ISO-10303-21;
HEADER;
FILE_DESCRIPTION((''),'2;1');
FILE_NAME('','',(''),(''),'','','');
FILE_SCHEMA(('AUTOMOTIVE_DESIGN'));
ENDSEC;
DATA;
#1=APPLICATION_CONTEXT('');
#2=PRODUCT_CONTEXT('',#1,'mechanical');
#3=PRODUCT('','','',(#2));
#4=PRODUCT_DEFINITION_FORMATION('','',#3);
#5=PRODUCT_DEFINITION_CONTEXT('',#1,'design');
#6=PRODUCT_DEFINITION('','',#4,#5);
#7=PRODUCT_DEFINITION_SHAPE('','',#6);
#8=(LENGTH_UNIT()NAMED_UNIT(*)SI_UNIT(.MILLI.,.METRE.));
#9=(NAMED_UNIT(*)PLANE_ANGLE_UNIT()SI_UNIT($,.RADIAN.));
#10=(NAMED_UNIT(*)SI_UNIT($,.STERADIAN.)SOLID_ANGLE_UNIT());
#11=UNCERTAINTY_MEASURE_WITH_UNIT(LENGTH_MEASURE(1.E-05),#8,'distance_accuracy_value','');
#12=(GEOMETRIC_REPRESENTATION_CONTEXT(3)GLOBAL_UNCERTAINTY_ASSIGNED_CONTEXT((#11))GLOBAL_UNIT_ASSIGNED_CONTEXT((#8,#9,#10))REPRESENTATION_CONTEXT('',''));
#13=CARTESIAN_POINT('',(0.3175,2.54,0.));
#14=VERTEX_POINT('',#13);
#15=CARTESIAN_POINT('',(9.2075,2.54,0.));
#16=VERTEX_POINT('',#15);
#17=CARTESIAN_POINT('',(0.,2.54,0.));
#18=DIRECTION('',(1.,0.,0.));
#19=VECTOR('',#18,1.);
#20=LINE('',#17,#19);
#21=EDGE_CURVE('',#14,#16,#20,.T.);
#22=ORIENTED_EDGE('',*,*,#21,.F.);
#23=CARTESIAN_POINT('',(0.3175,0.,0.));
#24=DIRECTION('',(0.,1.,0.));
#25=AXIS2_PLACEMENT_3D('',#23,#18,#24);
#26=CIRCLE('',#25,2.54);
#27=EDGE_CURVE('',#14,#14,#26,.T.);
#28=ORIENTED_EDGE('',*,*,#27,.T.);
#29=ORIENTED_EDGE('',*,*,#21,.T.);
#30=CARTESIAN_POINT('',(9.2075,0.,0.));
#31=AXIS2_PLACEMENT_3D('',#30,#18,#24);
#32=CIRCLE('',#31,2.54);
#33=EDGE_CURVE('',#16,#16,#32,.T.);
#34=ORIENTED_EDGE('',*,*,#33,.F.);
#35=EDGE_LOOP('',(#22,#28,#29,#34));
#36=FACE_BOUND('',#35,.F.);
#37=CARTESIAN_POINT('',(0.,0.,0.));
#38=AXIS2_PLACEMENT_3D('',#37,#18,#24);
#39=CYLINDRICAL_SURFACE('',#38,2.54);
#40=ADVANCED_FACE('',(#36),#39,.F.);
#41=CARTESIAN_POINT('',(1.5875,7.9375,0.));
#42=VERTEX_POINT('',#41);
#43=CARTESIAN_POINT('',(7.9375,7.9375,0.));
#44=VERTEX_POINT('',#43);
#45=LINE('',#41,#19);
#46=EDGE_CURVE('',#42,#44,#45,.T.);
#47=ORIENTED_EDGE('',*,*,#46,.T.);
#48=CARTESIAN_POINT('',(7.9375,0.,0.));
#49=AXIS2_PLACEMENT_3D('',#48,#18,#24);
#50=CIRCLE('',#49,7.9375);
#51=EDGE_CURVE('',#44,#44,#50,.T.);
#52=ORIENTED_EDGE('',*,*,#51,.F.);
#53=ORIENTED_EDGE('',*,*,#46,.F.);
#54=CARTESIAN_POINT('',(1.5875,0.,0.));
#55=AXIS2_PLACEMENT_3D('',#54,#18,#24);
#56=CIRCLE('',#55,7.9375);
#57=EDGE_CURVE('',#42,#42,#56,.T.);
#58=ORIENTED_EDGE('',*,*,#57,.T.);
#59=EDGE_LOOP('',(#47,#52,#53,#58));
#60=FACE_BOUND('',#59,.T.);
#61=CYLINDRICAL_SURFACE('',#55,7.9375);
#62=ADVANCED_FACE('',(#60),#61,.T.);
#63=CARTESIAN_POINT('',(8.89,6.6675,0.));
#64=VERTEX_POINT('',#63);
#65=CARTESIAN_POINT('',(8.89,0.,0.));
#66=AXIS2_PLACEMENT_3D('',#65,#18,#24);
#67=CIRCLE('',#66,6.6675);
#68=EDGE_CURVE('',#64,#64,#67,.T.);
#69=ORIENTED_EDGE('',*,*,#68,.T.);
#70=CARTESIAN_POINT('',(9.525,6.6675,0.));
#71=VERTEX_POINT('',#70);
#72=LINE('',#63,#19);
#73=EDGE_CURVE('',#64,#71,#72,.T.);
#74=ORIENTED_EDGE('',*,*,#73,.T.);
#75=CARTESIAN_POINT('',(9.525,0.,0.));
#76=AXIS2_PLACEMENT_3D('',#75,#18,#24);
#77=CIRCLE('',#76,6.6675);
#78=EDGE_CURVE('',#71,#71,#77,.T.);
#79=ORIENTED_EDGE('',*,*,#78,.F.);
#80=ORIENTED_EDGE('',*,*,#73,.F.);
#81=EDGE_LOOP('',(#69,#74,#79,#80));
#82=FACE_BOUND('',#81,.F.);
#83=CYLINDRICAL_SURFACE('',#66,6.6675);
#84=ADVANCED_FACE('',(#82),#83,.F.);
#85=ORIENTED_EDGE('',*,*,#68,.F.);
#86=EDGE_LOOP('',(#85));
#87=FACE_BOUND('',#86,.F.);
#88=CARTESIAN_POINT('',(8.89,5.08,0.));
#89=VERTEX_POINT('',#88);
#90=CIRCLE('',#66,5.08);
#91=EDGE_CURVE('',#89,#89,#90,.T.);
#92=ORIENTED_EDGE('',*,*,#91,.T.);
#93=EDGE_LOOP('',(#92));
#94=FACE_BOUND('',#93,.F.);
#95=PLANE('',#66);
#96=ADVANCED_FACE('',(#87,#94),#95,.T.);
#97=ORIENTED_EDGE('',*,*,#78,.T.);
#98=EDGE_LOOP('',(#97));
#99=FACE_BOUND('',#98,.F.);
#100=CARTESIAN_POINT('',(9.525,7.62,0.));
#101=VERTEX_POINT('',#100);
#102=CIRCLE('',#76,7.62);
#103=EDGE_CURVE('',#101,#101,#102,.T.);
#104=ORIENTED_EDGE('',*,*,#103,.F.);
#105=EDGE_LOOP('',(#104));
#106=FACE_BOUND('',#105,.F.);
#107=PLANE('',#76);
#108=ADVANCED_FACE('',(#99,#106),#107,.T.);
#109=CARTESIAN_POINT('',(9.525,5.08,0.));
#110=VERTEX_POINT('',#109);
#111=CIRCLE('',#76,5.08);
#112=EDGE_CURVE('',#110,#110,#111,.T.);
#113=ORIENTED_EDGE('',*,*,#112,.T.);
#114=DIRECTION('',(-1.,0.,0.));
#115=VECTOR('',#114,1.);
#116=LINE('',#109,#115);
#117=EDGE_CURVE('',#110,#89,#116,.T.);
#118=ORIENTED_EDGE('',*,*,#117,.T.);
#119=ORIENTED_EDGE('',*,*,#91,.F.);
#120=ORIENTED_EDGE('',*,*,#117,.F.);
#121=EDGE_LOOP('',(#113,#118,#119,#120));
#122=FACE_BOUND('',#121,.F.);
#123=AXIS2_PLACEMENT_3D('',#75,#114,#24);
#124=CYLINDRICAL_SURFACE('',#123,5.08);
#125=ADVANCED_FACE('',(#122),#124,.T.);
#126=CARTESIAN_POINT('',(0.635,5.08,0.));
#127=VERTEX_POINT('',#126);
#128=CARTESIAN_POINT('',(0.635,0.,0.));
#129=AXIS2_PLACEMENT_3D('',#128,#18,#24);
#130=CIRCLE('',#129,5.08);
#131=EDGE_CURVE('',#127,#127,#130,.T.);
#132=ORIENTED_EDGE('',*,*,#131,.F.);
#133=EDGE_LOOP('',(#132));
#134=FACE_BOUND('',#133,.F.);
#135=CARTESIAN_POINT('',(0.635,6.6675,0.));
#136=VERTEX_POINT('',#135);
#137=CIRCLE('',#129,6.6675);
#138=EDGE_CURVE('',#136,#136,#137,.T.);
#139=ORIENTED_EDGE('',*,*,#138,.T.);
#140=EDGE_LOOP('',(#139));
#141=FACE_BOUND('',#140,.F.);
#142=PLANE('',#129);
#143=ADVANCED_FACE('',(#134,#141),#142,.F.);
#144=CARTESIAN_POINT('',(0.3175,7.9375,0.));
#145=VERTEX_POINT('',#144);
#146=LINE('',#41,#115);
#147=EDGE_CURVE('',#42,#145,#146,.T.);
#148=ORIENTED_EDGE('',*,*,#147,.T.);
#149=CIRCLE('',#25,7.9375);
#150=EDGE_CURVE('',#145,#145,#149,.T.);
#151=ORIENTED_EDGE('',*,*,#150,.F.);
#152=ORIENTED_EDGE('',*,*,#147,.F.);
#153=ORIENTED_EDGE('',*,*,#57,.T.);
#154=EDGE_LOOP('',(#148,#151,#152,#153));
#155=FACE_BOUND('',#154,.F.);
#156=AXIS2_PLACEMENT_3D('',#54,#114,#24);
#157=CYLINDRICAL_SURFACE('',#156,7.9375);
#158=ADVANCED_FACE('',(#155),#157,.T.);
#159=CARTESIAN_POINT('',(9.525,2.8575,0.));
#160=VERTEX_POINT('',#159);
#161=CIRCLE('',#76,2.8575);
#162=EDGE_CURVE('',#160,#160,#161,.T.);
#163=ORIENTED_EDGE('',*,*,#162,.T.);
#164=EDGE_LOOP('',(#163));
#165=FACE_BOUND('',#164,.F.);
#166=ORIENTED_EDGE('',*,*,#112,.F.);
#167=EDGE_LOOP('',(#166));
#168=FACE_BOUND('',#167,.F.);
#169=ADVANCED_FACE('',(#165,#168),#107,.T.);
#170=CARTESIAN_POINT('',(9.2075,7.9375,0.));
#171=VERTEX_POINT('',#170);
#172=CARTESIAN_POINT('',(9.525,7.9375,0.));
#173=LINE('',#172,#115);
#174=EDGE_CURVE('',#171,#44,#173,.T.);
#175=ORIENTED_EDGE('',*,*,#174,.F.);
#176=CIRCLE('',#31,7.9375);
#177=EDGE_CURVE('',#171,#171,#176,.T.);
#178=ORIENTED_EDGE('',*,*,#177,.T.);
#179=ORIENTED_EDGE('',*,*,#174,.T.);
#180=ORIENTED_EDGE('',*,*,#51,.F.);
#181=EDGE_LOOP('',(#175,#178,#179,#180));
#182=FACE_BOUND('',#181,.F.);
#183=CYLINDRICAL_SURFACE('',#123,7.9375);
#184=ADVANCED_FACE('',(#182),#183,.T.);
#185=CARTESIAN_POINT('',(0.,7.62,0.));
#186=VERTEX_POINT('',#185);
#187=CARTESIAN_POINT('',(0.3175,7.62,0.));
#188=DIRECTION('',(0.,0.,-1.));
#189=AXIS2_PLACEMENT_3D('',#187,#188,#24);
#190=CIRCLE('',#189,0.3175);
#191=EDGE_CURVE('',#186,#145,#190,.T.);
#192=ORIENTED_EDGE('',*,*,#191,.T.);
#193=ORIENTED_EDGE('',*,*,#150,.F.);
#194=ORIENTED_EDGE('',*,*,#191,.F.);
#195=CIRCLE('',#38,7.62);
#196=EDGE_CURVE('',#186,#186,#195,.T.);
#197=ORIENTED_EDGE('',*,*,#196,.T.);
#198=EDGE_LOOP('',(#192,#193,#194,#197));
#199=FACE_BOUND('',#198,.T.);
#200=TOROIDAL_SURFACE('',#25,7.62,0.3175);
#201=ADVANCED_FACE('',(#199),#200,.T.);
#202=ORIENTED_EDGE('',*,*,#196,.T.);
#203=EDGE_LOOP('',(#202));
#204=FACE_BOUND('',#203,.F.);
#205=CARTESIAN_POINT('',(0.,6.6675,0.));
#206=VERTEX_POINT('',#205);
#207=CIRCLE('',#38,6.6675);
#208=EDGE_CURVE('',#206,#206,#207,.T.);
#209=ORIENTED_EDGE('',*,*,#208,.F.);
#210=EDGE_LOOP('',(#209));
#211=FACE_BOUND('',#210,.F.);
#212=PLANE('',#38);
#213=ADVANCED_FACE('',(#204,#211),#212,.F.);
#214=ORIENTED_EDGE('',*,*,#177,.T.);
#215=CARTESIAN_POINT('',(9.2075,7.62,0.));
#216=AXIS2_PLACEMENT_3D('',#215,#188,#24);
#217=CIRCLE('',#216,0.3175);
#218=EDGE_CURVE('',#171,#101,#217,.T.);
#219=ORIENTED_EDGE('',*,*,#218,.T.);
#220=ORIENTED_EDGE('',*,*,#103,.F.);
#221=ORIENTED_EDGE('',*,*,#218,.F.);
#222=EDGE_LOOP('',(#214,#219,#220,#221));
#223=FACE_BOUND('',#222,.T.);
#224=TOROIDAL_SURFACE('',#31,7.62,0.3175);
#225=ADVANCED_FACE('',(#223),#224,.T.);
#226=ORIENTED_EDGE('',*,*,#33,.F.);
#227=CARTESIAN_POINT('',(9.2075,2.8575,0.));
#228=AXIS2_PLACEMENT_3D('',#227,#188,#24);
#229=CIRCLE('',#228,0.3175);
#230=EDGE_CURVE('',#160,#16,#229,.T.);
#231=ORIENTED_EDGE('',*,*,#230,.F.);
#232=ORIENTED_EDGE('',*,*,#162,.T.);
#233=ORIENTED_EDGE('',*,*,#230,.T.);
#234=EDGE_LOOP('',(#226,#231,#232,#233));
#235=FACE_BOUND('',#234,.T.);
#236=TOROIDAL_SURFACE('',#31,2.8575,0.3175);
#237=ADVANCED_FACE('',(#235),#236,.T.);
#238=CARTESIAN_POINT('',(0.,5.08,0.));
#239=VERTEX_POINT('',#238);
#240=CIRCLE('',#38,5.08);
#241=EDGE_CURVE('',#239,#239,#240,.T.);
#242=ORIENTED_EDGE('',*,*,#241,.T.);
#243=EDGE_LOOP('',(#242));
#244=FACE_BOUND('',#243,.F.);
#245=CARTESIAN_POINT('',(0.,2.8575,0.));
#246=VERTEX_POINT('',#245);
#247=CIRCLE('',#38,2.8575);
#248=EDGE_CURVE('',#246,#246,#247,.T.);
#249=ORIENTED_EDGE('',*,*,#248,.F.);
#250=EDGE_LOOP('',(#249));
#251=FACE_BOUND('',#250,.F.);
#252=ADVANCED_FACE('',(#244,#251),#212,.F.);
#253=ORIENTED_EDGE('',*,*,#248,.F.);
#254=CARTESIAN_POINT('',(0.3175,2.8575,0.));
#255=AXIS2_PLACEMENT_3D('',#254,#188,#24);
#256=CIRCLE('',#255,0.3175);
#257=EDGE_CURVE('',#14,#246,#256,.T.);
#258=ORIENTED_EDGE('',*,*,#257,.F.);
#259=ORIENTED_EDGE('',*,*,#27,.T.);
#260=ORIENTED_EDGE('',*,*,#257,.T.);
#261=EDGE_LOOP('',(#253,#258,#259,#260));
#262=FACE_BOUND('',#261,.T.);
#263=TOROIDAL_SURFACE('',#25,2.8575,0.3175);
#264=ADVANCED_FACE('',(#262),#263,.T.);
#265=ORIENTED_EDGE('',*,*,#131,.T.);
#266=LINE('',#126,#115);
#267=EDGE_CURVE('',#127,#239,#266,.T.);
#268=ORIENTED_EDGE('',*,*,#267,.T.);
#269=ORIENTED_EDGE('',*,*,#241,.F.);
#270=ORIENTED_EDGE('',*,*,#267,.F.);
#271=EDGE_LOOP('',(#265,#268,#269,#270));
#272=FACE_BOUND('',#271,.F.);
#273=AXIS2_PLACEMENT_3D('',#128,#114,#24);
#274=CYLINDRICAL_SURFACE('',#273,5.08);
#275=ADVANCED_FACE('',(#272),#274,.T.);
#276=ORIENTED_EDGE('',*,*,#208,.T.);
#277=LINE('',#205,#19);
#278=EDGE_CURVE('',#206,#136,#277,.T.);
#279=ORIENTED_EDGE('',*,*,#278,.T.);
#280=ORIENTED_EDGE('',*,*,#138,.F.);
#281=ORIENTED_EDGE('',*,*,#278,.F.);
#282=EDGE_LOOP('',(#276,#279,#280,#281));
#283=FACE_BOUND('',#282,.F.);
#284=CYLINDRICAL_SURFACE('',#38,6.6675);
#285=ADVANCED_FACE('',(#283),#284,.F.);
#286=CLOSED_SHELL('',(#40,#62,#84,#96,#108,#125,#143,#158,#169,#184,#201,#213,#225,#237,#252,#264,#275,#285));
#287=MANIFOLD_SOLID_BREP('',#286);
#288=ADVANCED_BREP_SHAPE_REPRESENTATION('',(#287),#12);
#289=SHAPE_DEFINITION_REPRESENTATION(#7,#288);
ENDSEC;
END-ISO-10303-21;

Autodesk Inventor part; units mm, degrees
ref_plane "YZ Plane" through (0, 0, 0) normal (1, 0, 0) x (0, 1, 0)
ref_plane "XZ Plane" through (0, 0, 0) normal (0, 1, 0) x (-1, 0, 0)
ref_plane "XY Plane" through (0, 0, 0) normal (0, 0, 1) x (1, 0, 0)
sketch "Sketch1" plane through (0, 0, 0) normal (0, 0, 1) x (1, 0, 0)
  line L0 (0, 0) -> (9.525, 0) construction
  line L1 (1.5875, 7.9375) -> (7.9375, 7.9375)
  line L2 (7.9375, 7.9375) -> (7.9375, 12.7)
  line L3 (1.5875, 12.7) -> (1.5875, 7.9375)
  line L4 (3.175, 12.7) -> (4.7625, 11.1125)
  line L5 (4.7625, 11.1125) -> (6.35, 12.7)
  line L6 (7.9375, 12.7) -> (6.35, 12.7)
  line L7 (3.175, 12.7) -> (1.5875, 12.7)
  line L8 (1.5875, 7.9375) -> (0, 7.9375)
  line L9 (0, 7.9375) -> (0, 6.6675)
  line L10 (0, 6.6675) -> (0.635, 6.6675)
  line L11 (0.635, 6.6675) -> (0.635, 5.08)
  line L12 (0.635, 5.08) -> (0, 5.08)
  line L13 (0, 5.08) -> (0, 2.54)
  line L14 (0, 2.54) -> (9.525, 2.54)
  line L15 (9.525, 2.54) -> (9.525, 5.08)
  line L16 (9.525, 5.08) -> (8.89, 5.08)
  line L17 (8.89, 5.08) -> (8.89, 6.6675)
  line L18 (8.89, 6.6675) -> (9.525, 6.6675)
  line L19 (9.525, 6.6675) -> (9.525, 7.9375)
  line L20 (9.525, 7.9375) -> (7.9375, 7.9375)
  point P0 (4.7625, 7.9375)
  dimension "d0" = 6.35
  dimension "d1" = 4.7625
  dimension "d2" = 1.5875
  dimension "d3" = 7.9375
  dimension "d5" = 11.1125
  dimension "d6" = 9.525
  dimension "d7" = 1.27
  dimension "d8" = 1.5875
  dimension "d9" = 2.54
  dimension "d10" = 0.635
revolve "Revolution1" add sketch "Sketch1" angle 360 about axis through (0, 0, 0) along (1, 0, 0) contours L1 L20 L19 L18 L17 L16 L15 L14 L13 L12 L11 L10 L9 L8
fillet "Fillet1" radius 0.3175 4 edges at (9.525, -7.9375, 0) (0, -7.9375, 0) (9.525, -2.54, 0) (0, -2.54, 0)
properties part number "8 ball cable roller bearing"
